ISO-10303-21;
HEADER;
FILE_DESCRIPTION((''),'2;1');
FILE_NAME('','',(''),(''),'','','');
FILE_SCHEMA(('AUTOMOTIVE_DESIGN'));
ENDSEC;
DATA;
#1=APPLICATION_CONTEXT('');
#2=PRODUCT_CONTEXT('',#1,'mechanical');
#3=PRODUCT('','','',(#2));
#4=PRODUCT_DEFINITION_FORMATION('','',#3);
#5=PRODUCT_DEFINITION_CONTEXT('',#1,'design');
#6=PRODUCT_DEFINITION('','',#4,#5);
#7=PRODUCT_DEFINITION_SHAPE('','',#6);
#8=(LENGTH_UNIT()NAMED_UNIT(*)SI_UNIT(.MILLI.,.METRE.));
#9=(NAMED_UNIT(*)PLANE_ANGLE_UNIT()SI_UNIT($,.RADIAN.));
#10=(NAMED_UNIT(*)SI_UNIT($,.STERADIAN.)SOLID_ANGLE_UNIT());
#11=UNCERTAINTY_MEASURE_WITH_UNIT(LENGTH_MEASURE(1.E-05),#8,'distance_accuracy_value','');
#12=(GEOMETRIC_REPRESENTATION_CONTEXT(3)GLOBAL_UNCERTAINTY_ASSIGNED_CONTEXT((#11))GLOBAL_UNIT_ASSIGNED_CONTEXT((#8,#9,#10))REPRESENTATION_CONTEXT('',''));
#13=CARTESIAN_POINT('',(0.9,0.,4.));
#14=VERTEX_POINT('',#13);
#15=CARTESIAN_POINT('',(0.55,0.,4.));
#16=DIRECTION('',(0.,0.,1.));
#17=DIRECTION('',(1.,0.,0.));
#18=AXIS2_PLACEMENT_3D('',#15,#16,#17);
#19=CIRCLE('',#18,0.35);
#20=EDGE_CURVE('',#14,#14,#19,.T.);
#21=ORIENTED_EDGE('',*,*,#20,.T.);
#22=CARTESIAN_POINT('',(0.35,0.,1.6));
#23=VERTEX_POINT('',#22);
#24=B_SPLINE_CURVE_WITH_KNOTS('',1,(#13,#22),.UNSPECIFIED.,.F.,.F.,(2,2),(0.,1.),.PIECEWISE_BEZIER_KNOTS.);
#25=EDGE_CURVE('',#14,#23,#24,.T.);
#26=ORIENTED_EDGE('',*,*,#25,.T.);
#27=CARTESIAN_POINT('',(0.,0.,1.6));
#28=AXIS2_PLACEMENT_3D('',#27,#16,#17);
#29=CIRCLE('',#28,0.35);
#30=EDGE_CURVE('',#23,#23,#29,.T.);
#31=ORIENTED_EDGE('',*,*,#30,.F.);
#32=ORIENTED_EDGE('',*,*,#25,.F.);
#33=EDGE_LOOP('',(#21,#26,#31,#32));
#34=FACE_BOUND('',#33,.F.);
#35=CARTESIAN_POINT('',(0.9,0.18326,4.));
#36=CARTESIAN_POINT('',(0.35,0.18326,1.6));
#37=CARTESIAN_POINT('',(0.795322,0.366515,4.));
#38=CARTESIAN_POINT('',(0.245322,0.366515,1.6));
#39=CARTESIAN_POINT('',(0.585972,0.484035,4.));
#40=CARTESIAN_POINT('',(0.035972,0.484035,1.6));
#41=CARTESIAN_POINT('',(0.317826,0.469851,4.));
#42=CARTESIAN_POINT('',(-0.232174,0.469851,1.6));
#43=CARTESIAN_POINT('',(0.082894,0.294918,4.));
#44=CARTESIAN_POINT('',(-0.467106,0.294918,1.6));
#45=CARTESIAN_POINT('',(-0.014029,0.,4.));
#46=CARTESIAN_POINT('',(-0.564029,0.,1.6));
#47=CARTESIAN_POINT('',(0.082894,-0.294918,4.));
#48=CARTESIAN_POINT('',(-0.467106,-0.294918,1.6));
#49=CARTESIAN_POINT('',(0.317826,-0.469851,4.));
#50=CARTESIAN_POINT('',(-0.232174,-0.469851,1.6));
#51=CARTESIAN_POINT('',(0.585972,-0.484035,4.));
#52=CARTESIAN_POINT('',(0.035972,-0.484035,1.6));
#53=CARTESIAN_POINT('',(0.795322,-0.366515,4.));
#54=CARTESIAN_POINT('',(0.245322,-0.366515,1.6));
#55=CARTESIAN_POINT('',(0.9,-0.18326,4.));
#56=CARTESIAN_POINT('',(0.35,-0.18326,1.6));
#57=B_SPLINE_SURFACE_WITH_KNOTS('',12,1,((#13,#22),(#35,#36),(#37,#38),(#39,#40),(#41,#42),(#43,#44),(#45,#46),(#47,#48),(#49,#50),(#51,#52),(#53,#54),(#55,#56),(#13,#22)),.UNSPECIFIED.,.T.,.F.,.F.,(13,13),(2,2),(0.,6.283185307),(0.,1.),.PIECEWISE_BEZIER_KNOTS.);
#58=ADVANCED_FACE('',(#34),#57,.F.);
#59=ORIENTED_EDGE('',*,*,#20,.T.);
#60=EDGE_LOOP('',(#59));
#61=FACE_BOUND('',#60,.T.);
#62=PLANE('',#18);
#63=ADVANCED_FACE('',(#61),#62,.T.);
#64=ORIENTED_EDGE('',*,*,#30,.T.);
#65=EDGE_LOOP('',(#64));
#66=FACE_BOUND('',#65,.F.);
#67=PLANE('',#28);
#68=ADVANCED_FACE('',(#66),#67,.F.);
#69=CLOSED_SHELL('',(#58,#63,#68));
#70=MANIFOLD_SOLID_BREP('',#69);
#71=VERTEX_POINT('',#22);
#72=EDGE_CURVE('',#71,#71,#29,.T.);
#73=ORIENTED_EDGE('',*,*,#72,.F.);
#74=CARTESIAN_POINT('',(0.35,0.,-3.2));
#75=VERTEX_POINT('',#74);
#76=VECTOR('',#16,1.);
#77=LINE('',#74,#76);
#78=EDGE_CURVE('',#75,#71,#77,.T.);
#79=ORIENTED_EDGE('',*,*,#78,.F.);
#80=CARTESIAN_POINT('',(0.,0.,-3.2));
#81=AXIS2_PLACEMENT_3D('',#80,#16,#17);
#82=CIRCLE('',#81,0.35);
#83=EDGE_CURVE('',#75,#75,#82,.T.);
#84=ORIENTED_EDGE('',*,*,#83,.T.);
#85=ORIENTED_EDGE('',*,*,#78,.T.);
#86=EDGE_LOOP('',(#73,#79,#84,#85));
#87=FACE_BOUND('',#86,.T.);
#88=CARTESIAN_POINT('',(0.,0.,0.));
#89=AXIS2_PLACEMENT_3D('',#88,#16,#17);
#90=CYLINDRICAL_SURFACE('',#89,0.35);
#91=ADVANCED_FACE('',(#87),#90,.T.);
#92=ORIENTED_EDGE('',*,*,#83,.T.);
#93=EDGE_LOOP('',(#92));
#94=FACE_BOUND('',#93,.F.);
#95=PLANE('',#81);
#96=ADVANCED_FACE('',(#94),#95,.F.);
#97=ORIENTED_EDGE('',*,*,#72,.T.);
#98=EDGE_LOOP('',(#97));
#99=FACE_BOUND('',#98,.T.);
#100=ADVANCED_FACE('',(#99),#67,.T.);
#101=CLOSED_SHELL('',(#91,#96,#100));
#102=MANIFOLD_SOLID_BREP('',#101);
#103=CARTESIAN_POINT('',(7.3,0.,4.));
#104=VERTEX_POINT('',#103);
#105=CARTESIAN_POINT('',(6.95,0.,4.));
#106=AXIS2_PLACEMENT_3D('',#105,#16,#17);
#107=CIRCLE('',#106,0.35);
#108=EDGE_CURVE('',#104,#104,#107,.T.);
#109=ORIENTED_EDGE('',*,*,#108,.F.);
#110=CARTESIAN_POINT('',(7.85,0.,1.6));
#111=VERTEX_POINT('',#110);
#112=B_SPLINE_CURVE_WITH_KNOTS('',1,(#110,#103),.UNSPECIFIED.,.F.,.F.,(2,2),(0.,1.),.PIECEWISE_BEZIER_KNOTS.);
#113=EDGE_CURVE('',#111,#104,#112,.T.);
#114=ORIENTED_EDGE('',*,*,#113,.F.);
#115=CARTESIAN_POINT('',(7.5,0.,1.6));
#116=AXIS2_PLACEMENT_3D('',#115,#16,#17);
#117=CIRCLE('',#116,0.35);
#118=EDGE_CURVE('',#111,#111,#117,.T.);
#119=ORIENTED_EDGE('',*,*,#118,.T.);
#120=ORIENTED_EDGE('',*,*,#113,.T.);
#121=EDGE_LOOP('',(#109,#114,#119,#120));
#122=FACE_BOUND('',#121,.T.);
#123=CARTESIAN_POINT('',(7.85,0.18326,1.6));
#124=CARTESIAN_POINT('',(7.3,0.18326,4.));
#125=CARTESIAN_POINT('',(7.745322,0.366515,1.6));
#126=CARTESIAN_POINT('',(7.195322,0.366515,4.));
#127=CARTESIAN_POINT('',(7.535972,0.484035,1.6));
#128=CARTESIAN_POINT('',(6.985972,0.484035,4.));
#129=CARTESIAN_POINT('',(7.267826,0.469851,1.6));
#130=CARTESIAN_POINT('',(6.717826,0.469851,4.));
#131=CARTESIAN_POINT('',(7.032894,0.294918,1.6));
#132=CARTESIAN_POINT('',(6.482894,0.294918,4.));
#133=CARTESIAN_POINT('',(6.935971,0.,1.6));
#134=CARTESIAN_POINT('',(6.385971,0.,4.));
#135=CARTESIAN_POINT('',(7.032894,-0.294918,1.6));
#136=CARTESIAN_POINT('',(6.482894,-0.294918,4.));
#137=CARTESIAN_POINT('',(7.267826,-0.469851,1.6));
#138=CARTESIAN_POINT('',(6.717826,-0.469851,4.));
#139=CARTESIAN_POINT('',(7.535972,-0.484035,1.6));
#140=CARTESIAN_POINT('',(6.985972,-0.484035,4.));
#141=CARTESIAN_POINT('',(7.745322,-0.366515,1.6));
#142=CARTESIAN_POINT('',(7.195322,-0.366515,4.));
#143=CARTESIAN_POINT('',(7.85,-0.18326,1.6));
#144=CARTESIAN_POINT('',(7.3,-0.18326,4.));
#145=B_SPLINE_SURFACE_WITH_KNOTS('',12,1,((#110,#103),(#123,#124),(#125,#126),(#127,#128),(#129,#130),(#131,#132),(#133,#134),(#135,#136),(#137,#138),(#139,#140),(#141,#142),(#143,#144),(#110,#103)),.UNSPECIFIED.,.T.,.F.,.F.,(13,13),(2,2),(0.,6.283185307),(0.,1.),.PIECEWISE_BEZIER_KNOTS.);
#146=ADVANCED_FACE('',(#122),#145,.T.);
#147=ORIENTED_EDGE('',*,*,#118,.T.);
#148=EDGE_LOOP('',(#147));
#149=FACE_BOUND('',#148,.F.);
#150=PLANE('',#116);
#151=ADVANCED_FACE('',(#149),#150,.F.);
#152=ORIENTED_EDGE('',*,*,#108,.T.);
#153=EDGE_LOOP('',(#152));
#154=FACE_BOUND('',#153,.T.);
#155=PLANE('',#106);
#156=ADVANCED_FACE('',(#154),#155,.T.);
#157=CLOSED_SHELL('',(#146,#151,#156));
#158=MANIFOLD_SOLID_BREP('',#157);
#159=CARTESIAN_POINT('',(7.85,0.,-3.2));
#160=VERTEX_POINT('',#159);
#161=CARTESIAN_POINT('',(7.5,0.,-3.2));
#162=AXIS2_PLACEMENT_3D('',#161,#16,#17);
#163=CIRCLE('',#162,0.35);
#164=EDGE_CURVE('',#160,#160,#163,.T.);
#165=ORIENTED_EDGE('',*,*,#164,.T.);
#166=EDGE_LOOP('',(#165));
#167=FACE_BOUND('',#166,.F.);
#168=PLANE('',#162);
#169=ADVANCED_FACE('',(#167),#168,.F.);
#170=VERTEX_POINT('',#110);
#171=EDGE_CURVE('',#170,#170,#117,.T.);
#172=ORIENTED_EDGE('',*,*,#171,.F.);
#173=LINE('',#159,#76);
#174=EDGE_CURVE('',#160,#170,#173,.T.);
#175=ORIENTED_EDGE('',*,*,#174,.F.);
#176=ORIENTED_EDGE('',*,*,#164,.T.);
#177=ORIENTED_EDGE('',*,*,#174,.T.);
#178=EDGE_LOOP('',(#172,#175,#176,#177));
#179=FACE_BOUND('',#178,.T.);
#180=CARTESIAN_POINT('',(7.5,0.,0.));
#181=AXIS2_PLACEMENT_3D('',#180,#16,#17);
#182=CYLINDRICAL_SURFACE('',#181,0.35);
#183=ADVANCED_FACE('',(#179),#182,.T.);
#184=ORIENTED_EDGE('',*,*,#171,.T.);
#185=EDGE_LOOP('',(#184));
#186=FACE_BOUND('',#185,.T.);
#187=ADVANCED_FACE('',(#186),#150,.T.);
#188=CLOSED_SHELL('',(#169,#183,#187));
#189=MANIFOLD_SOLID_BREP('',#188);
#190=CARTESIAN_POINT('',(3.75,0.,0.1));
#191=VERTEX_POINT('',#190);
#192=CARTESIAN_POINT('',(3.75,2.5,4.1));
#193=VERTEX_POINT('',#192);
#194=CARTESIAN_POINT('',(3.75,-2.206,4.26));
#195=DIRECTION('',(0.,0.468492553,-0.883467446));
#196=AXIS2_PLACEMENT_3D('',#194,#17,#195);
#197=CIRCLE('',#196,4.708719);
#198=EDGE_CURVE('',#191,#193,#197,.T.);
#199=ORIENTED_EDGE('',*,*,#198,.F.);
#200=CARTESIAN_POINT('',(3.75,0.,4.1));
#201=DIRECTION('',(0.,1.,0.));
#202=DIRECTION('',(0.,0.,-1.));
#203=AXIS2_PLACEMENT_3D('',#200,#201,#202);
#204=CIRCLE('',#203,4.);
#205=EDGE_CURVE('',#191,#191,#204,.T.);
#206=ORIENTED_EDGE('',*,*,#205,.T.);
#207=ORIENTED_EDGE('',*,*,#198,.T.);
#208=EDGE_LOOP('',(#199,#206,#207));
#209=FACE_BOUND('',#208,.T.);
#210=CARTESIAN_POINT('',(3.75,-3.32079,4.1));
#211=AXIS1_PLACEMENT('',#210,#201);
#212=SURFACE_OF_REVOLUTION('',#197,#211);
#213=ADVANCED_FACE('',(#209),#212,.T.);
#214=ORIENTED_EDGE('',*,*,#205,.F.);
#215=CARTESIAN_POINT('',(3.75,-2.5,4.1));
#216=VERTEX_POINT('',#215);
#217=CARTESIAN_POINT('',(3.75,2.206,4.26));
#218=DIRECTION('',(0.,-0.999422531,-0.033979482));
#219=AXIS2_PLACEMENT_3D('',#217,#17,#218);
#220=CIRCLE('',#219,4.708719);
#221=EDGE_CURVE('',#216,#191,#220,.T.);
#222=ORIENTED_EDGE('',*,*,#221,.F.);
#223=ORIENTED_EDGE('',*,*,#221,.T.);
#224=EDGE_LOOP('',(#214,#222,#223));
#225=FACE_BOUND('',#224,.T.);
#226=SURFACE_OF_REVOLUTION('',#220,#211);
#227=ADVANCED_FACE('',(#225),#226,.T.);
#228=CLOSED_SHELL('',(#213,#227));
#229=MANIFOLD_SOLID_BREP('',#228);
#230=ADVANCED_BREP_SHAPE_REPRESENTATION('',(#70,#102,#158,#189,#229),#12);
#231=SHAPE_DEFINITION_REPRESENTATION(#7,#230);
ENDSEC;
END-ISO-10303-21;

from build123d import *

# Parameters (mm, degrees)
SKETCH001_R       = 0.35
PAD001_DEPTH      = 1.6
PAD001_DEPTH_BACK = 3.2
SKETCH002_R       = 0.35
SKETCH003_R       = 0.35
SKETCH004_R       = 0.35
SKETCH005_R       = 0.35


with BuildPart() as pad001:
    # Sketch001 → Pad001 (new body, two sides)
    with BuildSketch(Plane.XY) as pad001_sk:
        Circle(SKETCH001_R)
        with Locations((7.5, 0)):
            Circle(SKETCH001_R)
    extrude(amount=PAD001_DEPTH)
    extrude(pad001_sk.sketch, amount=-PAD001_DEPTH_BACK)


with BuildPart() as revolution:
    # Sketch → Revolution (revolve)
    with BuildSketch(Plane.YZ.offset(3.75)):
        with BuildLine():
            Line((-2.5, 4.1), (2.5, 4.1))
            ThreePointArc((0, 0.1), (1.786986, 1.764384), (2.5, 4.1))
            ThreePointArc((-2.5, 4.1), (-1.786986, 1.764384), (0, 0.1))
        make_face()
    revolve(axis=Axis((3.75, -3.32079, 4.1), (0, 1, 0)))


with BuildPart() as loft_body:
    # Sketch002 → Loft section 0
    with BuildSketch(Plane.XY.offset(4)):
        with Locations((0.55, 0)):
            Circle(SKETCH002_R)
    # Sketch003 → Loft section 1
    with BuildSketch(Plane.XY.offset(1.6)):
        Circle(SKETCH003_R)
    loft()


with BuildPart() as loft001:
    # Sketch004 → Loft001 section 0
    with BuildSketch(Plane.XY.offset(1.6)):
        with Locations((7.5, 0)):
            Circle(SKETCH004_R)
    # Sketch005 → Loft001 section 1
    with BuildSketch(Plane.XY.offset(4)):
        with Locations((6.95, 0)):
            Circle(SKETCH005_R)
    loft()


solid = Compound([pad001.part, revolution.part, loft_body.part, loft001.part])
